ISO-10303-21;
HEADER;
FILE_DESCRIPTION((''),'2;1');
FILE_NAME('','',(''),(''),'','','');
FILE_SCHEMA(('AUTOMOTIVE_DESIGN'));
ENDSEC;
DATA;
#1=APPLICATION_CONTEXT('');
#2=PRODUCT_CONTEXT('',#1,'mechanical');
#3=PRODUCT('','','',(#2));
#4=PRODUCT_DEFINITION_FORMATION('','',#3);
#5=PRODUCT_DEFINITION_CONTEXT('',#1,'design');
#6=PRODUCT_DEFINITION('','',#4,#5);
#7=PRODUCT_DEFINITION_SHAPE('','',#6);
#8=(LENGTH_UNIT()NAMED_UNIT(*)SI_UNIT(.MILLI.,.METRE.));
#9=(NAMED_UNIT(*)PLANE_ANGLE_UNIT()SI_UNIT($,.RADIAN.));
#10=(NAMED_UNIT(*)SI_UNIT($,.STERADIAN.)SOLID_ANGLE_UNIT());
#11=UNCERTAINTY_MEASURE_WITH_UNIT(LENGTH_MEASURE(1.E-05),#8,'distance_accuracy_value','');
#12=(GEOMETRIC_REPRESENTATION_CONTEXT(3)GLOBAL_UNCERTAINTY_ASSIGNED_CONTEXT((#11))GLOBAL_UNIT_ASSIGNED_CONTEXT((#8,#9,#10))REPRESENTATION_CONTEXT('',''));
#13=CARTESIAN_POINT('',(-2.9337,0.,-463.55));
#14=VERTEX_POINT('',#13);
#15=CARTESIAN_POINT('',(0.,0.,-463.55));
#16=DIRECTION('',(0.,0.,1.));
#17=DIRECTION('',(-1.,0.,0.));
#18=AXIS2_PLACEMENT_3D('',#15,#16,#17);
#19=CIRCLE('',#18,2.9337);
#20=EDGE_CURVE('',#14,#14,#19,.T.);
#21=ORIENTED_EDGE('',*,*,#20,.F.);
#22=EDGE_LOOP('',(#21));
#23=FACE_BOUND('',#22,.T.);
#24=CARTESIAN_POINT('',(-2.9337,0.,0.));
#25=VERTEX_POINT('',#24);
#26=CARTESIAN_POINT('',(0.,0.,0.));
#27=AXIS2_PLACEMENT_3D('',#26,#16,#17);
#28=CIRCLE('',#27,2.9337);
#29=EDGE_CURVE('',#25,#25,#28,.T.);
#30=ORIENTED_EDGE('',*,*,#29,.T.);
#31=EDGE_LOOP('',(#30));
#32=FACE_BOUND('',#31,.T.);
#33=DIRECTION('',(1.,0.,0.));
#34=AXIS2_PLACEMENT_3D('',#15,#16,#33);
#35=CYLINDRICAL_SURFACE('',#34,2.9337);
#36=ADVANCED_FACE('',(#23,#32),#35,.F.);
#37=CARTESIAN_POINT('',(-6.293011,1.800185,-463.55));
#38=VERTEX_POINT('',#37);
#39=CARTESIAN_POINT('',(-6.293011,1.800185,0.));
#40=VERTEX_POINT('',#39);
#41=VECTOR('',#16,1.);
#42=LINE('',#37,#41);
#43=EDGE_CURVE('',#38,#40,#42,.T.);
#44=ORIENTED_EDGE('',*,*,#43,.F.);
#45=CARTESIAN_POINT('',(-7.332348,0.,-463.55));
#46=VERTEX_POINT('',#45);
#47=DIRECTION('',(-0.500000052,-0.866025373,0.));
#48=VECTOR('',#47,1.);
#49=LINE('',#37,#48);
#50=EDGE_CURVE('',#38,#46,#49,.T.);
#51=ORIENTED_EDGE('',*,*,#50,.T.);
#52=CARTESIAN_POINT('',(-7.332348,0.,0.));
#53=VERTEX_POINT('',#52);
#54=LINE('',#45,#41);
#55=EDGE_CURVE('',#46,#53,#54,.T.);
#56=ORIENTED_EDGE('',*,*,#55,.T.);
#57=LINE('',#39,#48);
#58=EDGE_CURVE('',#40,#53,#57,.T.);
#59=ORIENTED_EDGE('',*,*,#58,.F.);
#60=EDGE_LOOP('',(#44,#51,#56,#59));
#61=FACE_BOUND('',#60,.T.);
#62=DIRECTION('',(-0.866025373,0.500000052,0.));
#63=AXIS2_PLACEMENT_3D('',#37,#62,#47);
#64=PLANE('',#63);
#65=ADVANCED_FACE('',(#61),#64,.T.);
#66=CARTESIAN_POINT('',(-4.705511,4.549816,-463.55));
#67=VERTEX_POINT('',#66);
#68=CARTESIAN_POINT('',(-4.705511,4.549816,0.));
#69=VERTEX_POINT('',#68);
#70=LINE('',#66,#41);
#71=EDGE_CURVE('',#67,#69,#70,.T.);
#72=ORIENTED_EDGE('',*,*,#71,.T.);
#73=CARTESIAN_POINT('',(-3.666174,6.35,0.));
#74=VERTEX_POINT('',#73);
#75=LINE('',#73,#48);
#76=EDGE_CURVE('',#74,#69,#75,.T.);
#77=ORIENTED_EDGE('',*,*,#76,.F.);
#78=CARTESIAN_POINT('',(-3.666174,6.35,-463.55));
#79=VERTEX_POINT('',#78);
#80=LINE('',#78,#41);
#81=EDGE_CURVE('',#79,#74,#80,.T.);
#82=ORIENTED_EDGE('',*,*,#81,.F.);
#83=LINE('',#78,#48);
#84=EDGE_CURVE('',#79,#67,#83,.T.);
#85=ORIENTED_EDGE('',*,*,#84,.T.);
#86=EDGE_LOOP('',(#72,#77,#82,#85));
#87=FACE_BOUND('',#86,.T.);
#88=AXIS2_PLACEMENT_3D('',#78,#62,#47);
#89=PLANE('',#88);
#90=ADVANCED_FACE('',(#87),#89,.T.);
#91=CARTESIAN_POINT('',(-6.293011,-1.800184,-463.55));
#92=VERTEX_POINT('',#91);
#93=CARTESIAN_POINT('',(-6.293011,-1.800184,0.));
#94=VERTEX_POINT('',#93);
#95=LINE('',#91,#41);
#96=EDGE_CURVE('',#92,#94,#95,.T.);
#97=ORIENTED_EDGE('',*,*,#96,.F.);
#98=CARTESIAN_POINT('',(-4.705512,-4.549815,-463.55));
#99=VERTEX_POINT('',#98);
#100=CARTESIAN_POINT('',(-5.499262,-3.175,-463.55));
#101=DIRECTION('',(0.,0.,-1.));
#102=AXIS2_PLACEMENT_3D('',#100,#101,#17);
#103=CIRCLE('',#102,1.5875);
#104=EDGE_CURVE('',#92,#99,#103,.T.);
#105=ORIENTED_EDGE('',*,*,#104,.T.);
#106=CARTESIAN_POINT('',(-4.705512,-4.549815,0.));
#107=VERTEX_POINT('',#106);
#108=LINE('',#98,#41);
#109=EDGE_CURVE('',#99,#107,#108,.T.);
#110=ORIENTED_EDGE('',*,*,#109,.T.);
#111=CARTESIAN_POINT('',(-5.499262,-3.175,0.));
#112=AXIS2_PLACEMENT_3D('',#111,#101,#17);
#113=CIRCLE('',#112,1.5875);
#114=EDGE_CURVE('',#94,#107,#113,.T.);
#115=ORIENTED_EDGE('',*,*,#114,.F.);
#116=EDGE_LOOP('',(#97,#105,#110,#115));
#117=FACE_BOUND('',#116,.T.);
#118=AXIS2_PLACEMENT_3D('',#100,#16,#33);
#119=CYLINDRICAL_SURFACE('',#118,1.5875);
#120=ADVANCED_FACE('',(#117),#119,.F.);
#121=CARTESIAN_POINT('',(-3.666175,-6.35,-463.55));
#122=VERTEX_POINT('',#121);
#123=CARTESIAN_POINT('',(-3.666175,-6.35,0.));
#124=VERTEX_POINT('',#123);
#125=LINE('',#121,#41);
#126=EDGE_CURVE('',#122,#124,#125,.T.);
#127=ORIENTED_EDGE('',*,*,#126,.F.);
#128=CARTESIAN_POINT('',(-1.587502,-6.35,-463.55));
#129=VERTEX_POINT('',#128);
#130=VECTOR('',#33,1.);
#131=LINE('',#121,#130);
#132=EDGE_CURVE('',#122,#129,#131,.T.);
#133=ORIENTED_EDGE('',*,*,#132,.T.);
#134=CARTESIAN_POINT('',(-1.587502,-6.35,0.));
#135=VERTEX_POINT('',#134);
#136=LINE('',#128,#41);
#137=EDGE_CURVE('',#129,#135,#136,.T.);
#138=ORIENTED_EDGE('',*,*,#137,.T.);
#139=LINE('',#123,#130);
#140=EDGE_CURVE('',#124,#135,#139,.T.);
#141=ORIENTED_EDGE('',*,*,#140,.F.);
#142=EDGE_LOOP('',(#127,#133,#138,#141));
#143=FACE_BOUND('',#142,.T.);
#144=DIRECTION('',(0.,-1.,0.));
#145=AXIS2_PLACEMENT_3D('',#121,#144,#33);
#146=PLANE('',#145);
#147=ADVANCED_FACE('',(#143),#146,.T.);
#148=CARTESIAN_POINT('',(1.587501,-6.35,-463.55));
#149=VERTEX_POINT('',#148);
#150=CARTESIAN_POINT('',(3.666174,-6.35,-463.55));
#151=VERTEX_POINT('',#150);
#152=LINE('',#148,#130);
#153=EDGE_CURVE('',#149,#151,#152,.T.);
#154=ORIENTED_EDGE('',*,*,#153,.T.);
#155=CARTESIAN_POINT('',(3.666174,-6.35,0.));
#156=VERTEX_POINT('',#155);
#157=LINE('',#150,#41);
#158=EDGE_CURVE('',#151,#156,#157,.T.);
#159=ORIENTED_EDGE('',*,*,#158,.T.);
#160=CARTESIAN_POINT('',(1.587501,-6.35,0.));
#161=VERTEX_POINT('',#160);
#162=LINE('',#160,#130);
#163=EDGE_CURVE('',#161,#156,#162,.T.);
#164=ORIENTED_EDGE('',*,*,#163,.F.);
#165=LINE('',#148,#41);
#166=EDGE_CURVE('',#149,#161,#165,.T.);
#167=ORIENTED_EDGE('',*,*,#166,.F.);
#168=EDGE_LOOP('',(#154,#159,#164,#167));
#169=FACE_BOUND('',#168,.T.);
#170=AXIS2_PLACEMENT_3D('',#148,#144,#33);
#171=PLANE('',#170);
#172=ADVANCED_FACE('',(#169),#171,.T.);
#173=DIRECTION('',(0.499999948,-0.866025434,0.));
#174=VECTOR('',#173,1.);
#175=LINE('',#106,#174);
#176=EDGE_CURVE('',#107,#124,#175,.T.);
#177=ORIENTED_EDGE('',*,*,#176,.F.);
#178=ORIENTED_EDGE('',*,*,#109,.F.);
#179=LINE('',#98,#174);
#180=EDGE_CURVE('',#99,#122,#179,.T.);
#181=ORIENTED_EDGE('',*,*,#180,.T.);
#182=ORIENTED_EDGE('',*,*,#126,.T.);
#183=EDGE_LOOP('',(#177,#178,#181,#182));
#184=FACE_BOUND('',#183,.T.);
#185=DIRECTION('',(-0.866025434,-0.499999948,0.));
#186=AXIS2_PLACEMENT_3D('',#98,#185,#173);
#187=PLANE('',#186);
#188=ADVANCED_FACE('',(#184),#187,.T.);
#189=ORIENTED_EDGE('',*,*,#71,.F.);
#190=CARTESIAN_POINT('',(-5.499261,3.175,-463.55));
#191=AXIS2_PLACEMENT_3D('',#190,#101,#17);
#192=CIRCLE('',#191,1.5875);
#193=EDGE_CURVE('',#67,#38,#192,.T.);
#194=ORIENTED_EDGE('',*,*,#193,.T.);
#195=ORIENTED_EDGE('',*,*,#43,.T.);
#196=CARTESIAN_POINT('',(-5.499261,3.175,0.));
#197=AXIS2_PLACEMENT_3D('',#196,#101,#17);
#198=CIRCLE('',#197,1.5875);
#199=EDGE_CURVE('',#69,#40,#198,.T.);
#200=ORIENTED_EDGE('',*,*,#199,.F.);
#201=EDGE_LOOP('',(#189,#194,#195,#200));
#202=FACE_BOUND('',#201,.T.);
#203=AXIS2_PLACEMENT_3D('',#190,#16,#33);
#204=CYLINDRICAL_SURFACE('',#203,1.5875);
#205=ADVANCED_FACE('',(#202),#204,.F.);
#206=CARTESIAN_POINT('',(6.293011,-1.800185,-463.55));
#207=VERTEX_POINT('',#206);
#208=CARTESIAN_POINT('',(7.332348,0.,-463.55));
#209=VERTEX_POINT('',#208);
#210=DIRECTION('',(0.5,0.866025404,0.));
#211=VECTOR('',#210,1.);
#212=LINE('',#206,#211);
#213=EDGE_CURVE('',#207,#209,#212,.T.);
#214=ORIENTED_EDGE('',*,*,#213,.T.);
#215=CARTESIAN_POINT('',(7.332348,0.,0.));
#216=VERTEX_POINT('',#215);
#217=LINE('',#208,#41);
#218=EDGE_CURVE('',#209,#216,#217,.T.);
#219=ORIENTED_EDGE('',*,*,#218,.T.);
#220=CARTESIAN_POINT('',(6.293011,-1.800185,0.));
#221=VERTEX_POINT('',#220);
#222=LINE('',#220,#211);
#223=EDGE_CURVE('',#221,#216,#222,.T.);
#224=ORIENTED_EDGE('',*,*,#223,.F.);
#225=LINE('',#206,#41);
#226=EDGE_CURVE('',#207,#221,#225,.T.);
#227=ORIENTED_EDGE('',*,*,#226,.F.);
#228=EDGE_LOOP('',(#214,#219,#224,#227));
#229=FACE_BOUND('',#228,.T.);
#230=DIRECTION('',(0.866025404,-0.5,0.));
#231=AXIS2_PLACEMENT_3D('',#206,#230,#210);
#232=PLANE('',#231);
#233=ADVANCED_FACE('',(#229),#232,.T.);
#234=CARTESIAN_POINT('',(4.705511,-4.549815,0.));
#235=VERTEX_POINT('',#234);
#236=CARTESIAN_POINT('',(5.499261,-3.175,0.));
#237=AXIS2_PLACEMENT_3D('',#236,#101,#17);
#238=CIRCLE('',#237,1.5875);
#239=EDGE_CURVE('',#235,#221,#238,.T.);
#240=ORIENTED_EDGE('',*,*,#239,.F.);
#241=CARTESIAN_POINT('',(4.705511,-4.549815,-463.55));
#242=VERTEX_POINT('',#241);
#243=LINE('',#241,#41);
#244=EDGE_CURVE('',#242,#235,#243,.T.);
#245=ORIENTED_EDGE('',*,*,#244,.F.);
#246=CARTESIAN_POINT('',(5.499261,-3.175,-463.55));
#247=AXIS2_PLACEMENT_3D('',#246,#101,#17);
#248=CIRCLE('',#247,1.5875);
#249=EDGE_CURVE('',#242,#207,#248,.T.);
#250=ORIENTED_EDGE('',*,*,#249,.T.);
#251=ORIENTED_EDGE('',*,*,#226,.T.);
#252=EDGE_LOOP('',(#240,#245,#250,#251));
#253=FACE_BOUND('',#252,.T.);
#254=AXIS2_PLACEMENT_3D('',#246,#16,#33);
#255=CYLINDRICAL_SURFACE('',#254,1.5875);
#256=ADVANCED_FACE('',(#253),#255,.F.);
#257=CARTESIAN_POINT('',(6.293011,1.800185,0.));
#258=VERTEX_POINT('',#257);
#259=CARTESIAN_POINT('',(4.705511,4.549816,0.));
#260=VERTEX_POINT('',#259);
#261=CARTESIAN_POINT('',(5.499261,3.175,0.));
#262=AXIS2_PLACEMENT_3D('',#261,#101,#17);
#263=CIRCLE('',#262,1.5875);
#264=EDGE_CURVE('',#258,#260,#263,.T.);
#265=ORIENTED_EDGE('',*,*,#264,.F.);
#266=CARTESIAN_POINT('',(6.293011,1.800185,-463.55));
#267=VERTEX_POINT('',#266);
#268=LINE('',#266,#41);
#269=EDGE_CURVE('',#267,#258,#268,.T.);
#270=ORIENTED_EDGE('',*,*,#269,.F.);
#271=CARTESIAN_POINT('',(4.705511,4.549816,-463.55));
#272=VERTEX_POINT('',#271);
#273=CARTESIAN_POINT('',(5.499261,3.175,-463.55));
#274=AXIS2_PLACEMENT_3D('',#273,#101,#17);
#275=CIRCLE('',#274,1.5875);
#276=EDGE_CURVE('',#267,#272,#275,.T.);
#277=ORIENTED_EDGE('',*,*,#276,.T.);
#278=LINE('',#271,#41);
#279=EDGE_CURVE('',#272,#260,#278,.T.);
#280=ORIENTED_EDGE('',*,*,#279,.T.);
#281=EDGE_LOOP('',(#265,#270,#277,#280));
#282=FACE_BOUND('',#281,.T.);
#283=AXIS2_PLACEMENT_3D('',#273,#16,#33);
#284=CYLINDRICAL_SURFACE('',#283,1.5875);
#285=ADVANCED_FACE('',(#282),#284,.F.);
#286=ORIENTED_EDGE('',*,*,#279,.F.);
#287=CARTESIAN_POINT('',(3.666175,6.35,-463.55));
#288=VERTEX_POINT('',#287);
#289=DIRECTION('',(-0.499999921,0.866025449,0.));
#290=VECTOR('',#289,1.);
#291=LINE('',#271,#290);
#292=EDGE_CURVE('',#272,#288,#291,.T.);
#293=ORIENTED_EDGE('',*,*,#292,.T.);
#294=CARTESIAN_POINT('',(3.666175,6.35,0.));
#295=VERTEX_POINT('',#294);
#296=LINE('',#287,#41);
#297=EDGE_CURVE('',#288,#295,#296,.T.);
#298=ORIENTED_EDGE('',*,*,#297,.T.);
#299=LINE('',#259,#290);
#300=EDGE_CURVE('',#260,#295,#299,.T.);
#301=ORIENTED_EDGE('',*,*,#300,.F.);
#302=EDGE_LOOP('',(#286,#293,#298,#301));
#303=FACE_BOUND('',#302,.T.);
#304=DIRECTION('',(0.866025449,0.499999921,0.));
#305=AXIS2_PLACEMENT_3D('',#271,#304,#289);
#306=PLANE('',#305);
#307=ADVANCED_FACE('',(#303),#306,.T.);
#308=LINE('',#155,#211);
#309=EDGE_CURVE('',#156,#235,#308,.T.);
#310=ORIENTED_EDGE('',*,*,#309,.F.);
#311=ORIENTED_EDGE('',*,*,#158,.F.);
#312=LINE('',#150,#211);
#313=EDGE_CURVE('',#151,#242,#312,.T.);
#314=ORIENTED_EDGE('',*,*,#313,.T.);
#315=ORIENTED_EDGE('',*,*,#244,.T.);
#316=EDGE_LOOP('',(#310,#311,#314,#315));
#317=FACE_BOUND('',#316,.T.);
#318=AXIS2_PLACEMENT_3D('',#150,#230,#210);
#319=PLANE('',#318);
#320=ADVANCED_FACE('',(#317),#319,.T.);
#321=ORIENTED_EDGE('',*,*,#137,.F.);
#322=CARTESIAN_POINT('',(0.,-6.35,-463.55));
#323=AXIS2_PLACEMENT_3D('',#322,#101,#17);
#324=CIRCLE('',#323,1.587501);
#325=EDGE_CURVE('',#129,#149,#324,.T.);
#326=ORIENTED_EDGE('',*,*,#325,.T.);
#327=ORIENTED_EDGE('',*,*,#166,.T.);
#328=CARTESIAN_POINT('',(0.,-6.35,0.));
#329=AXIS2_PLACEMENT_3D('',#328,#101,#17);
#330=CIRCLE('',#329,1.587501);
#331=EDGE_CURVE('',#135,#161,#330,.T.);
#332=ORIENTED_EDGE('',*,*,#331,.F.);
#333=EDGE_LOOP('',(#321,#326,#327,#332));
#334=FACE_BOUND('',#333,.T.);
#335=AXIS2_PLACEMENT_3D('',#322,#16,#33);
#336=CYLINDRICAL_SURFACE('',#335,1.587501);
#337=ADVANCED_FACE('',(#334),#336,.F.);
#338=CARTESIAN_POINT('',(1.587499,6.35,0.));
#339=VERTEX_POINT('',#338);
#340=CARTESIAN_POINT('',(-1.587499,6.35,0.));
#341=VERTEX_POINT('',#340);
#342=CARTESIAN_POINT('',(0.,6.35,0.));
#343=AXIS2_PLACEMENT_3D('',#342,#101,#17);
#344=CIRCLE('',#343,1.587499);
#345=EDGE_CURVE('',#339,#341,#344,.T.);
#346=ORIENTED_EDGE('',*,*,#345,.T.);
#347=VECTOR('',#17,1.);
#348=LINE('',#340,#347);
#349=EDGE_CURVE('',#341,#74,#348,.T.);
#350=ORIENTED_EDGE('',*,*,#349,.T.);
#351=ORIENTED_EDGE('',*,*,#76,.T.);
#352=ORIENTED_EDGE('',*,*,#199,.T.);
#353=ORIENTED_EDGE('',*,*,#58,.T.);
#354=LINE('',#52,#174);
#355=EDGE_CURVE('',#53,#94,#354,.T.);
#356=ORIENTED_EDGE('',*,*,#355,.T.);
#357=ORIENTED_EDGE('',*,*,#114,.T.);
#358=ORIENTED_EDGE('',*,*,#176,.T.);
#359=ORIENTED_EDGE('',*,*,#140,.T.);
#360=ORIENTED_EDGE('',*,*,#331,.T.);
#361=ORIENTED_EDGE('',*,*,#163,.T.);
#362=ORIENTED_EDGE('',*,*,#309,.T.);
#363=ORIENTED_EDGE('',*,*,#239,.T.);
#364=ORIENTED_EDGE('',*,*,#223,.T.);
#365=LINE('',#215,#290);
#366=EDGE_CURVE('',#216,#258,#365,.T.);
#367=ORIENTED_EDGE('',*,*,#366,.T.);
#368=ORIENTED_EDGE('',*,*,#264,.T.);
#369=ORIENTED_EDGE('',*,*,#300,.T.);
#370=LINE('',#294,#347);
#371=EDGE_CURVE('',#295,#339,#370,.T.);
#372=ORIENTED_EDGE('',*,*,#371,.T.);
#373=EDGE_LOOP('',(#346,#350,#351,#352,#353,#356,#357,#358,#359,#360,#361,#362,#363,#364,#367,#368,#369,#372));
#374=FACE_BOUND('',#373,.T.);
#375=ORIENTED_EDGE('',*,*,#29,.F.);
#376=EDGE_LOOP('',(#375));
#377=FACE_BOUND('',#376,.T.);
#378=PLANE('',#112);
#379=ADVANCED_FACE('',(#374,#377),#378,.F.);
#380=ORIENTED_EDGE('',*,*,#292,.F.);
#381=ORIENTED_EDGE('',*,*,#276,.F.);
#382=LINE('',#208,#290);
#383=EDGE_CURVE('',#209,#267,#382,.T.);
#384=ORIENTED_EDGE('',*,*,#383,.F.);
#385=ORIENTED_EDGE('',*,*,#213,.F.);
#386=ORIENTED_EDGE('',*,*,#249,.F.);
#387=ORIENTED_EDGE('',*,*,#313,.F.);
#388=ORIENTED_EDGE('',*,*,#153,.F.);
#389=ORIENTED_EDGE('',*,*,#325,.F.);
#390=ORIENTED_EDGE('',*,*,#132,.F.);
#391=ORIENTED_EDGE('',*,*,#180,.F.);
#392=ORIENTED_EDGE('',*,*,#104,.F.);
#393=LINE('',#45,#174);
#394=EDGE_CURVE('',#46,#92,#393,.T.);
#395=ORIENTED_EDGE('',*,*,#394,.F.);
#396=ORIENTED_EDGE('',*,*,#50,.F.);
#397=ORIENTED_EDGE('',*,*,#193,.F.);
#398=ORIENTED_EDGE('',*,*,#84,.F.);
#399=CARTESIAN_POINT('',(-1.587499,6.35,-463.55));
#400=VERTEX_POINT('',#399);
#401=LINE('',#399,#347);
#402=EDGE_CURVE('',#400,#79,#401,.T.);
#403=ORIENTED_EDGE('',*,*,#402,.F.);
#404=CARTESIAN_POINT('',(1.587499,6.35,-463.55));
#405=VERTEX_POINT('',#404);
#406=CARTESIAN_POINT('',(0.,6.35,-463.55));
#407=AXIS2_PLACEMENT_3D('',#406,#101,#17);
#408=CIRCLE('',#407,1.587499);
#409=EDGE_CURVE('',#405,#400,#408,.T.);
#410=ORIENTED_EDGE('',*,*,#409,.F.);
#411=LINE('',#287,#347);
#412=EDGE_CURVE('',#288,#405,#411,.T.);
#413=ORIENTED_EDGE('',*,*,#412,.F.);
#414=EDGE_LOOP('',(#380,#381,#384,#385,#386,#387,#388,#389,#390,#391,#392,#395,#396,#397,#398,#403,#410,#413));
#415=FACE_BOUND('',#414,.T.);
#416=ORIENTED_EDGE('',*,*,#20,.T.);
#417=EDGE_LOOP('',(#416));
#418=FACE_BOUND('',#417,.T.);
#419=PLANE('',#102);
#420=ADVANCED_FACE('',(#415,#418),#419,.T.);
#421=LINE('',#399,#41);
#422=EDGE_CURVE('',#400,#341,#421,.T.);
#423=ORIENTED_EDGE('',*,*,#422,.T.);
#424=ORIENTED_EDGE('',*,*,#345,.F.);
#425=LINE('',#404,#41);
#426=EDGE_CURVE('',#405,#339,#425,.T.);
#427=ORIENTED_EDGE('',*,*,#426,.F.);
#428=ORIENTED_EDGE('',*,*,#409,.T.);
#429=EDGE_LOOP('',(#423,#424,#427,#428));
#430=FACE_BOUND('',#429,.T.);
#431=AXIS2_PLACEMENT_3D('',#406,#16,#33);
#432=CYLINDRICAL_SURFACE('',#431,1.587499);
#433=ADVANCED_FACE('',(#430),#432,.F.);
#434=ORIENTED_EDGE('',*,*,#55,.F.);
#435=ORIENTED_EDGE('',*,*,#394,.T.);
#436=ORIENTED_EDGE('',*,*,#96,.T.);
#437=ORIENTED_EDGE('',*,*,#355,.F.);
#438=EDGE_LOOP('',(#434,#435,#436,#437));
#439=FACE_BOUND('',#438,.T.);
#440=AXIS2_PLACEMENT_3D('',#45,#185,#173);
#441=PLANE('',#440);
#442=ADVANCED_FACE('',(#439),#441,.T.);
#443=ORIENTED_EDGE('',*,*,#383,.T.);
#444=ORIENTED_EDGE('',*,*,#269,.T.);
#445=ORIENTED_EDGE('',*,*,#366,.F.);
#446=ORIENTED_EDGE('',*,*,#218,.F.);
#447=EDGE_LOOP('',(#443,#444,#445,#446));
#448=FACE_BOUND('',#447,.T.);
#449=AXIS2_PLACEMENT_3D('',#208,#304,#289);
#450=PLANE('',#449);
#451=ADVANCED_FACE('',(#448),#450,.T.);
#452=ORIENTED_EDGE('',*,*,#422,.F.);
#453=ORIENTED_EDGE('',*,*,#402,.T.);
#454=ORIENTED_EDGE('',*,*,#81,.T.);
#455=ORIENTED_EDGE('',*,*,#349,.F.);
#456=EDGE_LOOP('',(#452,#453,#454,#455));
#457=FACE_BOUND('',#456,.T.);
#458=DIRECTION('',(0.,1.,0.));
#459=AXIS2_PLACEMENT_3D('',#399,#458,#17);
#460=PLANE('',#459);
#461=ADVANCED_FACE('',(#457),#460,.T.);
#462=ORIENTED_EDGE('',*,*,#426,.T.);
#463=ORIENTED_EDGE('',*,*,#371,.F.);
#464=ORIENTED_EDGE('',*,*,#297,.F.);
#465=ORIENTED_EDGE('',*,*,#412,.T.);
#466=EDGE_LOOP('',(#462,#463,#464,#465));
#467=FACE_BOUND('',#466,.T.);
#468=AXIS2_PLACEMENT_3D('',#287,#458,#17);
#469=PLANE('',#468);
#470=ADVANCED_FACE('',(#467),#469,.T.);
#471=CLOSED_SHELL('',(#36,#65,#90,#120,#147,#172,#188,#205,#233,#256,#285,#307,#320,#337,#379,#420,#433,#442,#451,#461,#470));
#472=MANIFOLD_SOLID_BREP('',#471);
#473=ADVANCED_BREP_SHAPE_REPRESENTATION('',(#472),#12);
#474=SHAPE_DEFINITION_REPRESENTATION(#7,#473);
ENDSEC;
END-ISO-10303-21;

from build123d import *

# Parameters (mm, degrees)
SKETCH1_R           = 2.9337
BOSS_EXTRUDE1_DEPTH = 463.55


with BuildPart() as part:
    # Sketch1 → Boss-Extrude1 (new body)
    with BuildSketch(Plane.XY):
        with BuildLine():
            Line((-4.70551159, -4.549815043), (-3.666174521, -6.349999904))
            Line((-3.666174521, -6.349999904), (-1.587501154, -6.349999904))
            ThreePointArc((-1.587501154, -6.349999904), (-3.85e-07, -4.762499134), (1.587501154, -6.349999904))
            Line((1.587501154, -6.349999904), (3.666173825, -6.349999904))
            Line((3.666173825, -6.349999904), (4.705510929, -4.549815232))
            ThreePointArc((4.705510929, -4.549815232), (4.124445601, -2.381249904), (6.293010929, -1.800184575))
            Line((6.293010929, -1.800184575), (7.332348034, 9.6e-08))
            Line((7.332348034, 9.6e-08), (6.293011178, 1.800184715))
            ThreePointArc((6.293011178, 1.800184715), (4.124445902, 2.381250241), (4.705511428, 4.549815516))
            Line((4.705511428, 4.549815516), (3.666174521, 6.350000222))
            Line((3.666174521, 6.350000222), (1.587498846, 6.350000222))
            ThreePointArc((1.587498846, 6.350000222), (3.85e-07, 4.762501761), (-1.587498846, 6.350000222))
            Line((-1.587498846, 6.350000222), (-3.666173825, 6.350000222))
            Line((-3.666173825, 6.350000222), (-4.705511038, 4.549815614))
            ThreePointArc((-4.705511038, 4.549815614), (-4.124445841, 2.38125025), (-6.293011205, 1.800185053))
            Line((-6.293011205, 1.800185053), (-7.332348419, 4.44e-07))
            Line((-7.332348419, 4.44e-07), (-6.293011423, -1.80018429))
            ThreePointArc((-6.293011423, -1.80018429), (-4.12444613, -2.38124975), (-4.70551159, -4.549815043))
        make_face()
        with Locations(Location((0, 0, 0), (0, 0, 180))):
            Circle(SKETCH1_R, mode=Mode.SUBTRACT)
    extrude(amount=-BOSS_EXTRUDE1_DEPTH)


solid = part.part
